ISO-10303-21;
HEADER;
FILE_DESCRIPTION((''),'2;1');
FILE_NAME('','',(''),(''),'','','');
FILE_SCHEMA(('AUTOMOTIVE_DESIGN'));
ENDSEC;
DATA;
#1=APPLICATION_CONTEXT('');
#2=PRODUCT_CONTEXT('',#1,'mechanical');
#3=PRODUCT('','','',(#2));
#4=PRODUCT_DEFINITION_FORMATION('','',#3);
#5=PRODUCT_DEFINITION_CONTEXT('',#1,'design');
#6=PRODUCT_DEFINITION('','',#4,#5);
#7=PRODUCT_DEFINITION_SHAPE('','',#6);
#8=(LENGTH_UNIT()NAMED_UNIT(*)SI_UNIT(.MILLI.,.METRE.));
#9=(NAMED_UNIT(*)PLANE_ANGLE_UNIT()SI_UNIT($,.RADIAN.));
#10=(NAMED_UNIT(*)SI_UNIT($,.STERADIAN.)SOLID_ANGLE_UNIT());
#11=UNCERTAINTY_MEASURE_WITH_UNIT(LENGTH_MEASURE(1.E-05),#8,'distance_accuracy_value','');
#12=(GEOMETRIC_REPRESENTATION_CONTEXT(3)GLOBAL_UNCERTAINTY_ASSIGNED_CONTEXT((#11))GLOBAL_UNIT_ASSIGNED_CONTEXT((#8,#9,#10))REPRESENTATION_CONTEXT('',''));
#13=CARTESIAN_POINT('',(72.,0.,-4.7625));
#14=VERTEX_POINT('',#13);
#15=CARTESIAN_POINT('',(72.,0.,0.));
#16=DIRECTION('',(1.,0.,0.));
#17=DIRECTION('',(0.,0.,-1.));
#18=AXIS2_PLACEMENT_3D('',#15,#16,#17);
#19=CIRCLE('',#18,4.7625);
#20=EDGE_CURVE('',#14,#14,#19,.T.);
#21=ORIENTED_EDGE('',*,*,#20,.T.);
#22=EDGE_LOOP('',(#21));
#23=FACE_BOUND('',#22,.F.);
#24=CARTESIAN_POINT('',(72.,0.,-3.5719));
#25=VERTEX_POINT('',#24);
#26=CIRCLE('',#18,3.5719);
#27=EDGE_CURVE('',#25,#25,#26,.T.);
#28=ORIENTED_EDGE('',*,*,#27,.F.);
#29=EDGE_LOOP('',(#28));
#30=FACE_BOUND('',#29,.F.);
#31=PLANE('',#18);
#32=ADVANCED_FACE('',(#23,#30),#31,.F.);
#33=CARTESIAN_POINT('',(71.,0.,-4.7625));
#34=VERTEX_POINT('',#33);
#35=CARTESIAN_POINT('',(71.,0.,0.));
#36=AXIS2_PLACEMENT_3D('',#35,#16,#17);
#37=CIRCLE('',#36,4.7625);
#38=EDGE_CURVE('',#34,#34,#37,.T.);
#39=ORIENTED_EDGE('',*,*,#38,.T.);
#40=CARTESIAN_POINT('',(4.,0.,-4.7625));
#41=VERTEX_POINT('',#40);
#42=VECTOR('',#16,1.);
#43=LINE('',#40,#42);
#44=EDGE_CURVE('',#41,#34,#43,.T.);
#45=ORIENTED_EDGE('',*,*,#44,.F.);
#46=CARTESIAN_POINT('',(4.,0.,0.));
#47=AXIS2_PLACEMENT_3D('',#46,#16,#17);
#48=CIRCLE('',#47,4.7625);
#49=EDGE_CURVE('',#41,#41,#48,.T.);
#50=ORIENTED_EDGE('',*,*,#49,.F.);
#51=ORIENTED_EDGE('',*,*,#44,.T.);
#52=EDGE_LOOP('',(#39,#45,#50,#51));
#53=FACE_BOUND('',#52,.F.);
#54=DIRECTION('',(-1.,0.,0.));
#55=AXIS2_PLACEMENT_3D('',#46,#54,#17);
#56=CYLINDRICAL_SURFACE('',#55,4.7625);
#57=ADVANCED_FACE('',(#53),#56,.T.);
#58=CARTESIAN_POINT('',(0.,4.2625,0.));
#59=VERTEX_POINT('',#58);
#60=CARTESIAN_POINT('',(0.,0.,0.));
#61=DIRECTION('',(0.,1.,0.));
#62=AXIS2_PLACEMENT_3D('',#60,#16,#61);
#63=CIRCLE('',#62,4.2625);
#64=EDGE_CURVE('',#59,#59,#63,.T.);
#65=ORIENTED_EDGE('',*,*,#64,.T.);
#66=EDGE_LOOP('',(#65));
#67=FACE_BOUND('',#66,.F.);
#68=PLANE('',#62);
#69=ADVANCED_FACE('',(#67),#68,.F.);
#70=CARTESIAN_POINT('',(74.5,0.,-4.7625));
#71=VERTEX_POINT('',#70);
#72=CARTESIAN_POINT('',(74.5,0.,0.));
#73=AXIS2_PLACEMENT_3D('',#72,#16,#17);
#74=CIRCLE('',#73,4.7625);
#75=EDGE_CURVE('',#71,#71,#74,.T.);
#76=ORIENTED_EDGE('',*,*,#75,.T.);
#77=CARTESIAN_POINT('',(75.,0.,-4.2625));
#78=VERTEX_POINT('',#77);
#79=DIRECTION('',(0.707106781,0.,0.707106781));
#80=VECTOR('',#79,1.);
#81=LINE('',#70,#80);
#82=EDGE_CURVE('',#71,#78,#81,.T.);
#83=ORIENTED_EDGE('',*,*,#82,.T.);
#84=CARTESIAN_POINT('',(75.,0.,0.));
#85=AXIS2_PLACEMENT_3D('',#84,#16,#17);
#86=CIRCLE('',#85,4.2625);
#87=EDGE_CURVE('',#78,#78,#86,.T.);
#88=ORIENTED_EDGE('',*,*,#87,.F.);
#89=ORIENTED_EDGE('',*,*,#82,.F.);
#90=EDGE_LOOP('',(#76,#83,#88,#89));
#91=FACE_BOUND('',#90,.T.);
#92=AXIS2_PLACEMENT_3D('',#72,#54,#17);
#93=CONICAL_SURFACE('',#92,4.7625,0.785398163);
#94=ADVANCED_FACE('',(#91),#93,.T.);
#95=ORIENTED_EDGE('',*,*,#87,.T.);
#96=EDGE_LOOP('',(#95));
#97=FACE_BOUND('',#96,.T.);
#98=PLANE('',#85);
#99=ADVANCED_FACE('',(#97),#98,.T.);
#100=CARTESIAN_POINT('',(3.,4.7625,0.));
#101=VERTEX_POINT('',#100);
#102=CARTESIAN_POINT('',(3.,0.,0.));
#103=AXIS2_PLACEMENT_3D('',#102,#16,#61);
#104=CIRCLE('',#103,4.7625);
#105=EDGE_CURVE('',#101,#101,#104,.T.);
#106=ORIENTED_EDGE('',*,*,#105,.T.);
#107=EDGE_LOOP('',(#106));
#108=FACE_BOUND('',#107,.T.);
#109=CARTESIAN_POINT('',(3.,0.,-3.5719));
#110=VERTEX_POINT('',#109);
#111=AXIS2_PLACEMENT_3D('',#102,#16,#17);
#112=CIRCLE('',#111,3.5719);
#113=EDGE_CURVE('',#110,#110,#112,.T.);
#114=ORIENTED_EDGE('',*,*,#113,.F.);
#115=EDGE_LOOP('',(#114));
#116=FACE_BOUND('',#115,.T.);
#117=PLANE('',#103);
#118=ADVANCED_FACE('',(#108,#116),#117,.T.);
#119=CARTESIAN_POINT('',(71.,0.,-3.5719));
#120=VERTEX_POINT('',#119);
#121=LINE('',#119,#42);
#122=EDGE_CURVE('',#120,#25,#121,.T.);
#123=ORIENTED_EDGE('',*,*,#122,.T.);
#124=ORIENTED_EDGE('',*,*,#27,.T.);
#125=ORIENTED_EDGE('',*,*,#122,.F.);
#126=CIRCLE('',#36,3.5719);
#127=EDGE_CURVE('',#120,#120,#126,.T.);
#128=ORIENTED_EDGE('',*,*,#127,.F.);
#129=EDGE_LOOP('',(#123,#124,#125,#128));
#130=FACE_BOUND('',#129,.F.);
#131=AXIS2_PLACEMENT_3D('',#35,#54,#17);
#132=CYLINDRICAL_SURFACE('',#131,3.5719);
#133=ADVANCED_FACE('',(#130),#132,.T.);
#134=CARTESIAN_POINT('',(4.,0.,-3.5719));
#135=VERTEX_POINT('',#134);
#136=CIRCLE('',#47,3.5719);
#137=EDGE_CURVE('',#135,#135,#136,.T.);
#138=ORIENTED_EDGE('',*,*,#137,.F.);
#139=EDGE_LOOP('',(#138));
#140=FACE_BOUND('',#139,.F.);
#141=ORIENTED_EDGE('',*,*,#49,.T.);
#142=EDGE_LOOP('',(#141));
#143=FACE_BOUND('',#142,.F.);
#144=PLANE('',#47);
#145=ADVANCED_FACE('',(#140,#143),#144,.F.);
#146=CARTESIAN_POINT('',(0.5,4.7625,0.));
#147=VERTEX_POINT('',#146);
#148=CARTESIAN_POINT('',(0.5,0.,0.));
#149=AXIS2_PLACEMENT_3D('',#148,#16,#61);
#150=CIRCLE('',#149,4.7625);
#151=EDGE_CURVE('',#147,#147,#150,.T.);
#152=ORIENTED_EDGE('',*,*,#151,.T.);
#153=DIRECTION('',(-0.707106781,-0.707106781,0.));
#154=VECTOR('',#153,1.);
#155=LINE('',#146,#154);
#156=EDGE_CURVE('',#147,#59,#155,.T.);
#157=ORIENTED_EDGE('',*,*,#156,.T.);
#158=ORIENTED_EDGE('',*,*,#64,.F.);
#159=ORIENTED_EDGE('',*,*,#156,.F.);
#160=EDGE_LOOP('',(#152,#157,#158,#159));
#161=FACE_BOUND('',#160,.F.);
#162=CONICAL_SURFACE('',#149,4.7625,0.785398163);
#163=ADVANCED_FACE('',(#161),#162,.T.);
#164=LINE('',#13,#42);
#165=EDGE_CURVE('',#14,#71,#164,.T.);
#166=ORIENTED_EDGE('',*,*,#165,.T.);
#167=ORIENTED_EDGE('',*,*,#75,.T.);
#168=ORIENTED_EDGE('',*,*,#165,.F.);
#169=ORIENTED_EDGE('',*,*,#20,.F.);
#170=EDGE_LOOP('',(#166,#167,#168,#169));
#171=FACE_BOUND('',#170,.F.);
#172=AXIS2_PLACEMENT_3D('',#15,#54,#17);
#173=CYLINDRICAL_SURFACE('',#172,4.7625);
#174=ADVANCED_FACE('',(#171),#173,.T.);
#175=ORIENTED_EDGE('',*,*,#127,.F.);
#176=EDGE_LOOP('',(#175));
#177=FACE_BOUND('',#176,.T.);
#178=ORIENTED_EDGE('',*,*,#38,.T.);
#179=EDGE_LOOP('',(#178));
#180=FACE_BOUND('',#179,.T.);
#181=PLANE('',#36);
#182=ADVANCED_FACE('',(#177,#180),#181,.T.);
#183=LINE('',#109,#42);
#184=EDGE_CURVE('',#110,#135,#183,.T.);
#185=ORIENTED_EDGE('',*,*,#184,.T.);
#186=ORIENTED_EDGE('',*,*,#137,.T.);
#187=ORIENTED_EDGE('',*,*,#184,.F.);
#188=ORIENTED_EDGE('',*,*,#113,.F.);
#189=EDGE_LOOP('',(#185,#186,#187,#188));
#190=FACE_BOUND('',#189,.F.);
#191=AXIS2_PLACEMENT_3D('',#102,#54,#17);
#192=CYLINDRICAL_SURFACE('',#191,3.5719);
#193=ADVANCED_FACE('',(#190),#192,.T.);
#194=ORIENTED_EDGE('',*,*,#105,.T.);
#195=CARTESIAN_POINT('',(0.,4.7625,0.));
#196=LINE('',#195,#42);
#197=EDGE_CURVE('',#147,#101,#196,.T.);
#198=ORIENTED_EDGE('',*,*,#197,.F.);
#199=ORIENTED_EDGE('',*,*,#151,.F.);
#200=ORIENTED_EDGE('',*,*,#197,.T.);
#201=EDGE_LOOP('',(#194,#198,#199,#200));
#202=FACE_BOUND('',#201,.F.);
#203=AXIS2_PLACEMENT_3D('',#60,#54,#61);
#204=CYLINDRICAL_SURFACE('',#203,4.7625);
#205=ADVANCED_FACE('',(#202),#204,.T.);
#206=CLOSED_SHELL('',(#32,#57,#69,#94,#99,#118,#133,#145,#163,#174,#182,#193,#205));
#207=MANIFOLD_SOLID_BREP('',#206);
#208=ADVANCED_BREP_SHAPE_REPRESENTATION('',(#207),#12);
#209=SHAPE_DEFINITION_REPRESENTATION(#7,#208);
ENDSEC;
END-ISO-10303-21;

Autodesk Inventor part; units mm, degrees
ref_plane "YZ Plane" through (0, 0, 0) normal (1, 0, 0) x (0, 1, 0)
ref_plane "XZ Plane" through (0, 0, 0) normal (0, 1, 0) x (-1, 0, 0)
ref_plane "XY Plane" through (0, 0, 0) normal (0, 0, 1) x (1, 0, 0)
sketch "Esboço2" plane through (0, 0, 0) normal (1, 0, 0) x (0, 1, 0)
  circle A0 centre (0, 0) radius 4.7625
  dimension "d0" = 9.525
extrude "Extrusão1" add sketch "Esboço2" along normal blind 3
sketch "Esboço3" plane through (3, 0, 0) normal (1, 0, 0) x (0, 0, -1)
  circle A0 centre (0, 0) radius 4.7625 projected
  circle A1 centre (0, 0) radius 3.5719
  dimension "d3" = 7.1437
extrude "Extrusão2" add sketch "Esboço3" along normal blind 1 contours A1
sketch "Esboço4" plane through (4, 0, 0) normal (1, 0, 0) x (0, 0, -1)
  circle A0 centre (0, 0) radius 3.5719 projected
  circle A1 centre (0, 0) radius 4.7625
  dimension "d6" = 9.525
extrude "Extrusão3" add sketch "Esboço4" along normal blind 67 contours A0 | A1
sketch "Esboço5" plane through (71, 0, 0) normal (1, 0, 0) x (0, 0, -1)
  circle A0 centre (0, 0) radius 4.7625 projected
  circle A1 centre (0, 0) radius 3.5719
  dimension "d9" = 7.1437
extrude "Extrusão4" add sketch "Esboço5" along normal blind 1 contours A1
sketch "Esboço6" plane through (72, 0, 0) normal (1, 0, 0) x (0, 0, -1)
  circle A0 centre (0, 0) radius 3.5719 projected
  circle A1 centre (0, 0) radius 4.7625
  dimension "d12" = 9.525
extrude "Extrusão5" add sketch "Esboço6" along normal blind 3 contours A0 | A1
chamfer "Chanfro1" distance 0.5 angle 45 2 edges at (0, -4.7625, 0) (75, 0, 4.7625)
properties part number "pino_a3" material "Aço carbono"
